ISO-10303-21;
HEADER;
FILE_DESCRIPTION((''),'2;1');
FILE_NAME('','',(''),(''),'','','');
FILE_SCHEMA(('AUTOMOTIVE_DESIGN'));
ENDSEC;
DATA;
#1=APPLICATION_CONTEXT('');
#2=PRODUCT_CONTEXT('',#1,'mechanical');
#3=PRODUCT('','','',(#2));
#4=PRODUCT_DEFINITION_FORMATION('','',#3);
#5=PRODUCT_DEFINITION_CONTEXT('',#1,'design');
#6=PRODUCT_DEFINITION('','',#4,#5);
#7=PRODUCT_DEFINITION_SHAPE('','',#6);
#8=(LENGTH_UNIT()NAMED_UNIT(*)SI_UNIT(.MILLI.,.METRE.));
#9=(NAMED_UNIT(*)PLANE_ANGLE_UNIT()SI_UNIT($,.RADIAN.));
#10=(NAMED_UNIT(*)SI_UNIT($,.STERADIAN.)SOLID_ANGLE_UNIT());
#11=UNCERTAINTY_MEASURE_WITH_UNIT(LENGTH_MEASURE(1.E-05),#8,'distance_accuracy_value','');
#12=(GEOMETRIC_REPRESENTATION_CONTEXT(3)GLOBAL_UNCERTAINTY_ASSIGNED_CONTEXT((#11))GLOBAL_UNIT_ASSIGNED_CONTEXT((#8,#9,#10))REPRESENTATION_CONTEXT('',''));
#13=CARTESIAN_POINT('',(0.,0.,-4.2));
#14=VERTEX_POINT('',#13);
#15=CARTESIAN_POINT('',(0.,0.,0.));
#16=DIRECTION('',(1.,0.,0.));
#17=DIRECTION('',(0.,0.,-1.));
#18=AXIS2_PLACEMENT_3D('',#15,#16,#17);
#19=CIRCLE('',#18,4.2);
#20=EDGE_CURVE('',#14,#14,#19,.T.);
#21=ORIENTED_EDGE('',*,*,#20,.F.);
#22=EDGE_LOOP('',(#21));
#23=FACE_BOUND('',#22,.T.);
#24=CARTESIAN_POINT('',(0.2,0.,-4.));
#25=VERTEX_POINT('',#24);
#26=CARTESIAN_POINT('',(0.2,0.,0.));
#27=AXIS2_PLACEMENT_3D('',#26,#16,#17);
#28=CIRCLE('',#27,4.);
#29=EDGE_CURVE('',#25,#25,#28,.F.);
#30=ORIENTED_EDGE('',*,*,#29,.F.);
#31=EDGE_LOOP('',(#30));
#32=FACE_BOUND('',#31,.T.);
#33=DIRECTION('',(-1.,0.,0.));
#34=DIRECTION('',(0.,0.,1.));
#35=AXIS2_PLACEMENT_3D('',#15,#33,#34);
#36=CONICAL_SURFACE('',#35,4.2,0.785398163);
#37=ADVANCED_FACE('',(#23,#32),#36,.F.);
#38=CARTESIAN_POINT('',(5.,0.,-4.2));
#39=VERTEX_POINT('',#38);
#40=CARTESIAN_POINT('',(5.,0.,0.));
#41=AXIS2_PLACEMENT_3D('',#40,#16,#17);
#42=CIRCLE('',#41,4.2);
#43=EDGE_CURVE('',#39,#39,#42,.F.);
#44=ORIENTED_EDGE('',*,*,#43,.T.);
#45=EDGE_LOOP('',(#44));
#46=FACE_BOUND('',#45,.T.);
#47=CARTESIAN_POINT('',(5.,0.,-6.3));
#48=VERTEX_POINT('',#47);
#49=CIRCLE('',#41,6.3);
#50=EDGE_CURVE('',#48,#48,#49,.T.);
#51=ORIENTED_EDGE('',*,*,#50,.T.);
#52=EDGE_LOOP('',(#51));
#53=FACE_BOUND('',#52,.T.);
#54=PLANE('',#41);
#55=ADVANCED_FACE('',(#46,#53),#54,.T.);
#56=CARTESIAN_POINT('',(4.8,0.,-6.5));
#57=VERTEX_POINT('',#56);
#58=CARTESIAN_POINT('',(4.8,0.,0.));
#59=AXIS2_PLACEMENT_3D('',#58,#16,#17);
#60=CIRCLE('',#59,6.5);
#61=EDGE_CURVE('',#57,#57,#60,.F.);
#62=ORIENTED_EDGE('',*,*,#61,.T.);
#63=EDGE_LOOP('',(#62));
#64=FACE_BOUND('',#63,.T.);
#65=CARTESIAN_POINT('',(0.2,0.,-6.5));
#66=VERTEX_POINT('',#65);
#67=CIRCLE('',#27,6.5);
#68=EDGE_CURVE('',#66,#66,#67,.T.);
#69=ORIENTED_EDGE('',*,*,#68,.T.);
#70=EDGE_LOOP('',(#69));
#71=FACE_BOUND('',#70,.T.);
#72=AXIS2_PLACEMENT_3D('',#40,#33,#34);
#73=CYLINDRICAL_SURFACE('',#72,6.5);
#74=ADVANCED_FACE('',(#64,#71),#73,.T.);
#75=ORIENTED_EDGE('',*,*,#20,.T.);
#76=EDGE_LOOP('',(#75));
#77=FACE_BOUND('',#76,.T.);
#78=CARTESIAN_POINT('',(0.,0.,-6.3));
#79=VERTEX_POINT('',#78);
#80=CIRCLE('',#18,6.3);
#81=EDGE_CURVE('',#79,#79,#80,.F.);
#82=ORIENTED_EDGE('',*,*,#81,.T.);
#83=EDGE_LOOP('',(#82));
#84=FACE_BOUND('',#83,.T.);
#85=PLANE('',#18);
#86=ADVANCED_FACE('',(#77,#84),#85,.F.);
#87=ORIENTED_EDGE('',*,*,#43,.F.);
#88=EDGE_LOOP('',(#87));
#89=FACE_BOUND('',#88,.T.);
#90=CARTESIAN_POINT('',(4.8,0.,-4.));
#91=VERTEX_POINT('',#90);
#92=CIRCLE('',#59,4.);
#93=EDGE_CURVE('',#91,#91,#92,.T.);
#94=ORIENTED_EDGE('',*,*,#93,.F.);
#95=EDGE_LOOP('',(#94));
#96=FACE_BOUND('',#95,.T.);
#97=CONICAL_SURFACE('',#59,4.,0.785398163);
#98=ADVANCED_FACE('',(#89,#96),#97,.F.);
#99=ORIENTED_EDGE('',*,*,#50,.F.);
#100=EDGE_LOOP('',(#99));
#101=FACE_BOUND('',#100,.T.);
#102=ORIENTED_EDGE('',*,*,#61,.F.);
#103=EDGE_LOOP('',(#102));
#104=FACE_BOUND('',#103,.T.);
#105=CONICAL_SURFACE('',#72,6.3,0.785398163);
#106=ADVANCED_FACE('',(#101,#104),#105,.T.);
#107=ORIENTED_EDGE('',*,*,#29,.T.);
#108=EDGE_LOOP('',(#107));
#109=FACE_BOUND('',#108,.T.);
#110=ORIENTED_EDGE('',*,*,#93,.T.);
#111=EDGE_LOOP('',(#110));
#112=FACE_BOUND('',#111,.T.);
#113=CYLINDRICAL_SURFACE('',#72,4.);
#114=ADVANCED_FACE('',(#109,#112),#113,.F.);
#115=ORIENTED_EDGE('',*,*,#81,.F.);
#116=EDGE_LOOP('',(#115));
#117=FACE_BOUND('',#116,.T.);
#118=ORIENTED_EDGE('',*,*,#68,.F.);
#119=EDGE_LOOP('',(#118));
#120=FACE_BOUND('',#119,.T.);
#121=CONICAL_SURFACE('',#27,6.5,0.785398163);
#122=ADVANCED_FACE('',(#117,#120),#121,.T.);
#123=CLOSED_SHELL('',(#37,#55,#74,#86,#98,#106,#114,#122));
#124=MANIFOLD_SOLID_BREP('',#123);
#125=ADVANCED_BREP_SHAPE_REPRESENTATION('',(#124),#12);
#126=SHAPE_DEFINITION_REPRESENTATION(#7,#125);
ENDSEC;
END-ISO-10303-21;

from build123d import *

# Parameters (mm, degrees)
SKETCH1_R           = 6.5
SKETCH1_R_2         = 4
BOSS_EXTRUDE1_DEPTH = 5
CHAMFER1_SIZE       = 0.2


with BuildPart() as part:
    # Sketch1 → Boss-Extrude1 (new body)
    with BuildSketch(Plane(origin=(0, 0, 0), x_dir=(0, 0, -1), z_dir=(1, 0, 0))):
        Circle(SKETCH1_R)
        Circle(SKETCH1_R_2, mode=Mode.SUBTRACT)
    extrude(amount=BOSS_EXTRUDE1_DEPTH)

    # Chamfer1
    chamfer1_edges = [part.edges().sort_by_distance(p)[0] for p in [
        (0, 0, 6.5),
        (5, 0, 6.5),
        (0, 0, 4),
        (5, 0, 4),
    ]]
    chamfer(chamfer1_edges, length=CHAMFER1_SIZE)


solid = part.part
